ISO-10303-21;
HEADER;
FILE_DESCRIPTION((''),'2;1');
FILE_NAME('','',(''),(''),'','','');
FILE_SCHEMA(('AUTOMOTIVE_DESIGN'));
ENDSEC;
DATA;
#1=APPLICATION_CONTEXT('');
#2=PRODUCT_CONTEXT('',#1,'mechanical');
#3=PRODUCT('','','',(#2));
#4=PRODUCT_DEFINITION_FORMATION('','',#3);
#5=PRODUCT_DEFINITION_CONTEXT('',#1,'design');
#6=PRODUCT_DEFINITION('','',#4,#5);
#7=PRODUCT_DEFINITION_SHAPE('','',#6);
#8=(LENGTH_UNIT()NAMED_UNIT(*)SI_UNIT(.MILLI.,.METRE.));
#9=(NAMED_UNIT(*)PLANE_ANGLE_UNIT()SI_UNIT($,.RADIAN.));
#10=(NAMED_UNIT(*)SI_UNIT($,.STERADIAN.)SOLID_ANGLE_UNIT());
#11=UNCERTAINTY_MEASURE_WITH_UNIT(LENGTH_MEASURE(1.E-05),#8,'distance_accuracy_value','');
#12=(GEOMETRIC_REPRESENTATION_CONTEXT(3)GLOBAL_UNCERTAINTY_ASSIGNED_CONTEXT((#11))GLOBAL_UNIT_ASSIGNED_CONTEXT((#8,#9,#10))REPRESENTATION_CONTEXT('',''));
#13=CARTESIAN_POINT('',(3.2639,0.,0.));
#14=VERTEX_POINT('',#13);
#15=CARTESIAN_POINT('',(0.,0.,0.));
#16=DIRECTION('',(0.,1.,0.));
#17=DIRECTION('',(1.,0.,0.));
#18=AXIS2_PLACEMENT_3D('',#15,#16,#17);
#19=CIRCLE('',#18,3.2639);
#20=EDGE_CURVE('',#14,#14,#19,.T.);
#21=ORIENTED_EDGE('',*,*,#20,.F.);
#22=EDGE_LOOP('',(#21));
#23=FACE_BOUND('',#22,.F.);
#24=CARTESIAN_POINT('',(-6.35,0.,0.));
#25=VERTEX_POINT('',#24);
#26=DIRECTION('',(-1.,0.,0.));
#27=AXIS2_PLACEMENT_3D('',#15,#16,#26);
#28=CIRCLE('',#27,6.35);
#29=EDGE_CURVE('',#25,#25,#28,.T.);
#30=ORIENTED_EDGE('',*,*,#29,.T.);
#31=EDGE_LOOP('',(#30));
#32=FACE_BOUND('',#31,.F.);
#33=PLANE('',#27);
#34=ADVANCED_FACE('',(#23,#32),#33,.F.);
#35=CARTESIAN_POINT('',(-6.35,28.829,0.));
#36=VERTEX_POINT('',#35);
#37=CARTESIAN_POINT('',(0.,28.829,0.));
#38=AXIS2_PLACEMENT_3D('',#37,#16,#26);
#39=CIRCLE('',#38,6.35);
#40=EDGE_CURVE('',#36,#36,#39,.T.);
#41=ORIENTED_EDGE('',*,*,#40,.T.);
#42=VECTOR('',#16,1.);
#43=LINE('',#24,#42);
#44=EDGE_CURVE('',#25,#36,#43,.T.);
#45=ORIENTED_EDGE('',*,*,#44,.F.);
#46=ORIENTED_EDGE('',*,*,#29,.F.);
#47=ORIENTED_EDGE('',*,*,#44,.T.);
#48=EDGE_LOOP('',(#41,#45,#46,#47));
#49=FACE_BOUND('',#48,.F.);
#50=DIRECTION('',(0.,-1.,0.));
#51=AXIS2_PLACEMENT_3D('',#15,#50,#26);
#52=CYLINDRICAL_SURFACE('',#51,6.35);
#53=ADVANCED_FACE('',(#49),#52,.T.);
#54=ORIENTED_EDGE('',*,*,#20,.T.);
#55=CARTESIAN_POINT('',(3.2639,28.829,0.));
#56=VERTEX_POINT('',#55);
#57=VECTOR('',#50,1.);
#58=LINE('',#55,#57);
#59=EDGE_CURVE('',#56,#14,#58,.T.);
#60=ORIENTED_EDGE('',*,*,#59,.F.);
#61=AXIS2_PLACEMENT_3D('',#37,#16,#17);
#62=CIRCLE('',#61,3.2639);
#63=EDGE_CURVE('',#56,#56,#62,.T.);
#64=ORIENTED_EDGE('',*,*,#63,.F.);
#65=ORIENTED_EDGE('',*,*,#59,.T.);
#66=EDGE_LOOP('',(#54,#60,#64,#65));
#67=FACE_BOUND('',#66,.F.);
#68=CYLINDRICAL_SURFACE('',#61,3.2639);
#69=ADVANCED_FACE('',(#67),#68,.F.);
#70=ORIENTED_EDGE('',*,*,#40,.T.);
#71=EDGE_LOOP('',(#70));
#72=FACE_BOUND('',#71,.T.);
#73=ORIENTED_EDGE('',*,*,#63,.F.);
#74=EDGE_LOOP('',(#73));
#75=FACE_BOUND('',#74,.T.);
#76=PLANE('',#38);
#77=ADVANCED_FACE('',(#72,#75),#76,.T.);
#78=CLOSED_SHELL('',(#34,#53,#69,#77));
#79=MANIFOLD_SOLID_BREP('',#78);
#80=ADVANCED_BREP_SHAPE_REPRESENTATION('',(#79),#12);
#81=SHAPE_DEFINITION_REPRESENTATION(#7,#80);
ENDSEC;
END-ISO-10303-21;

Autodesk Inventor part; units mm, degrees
ref_plane "YZ Plane" through (0, 0, 0) normal (1, 0, 0) x (0, 1, 0)
ref_plane "XZ Plane" through (0, 0, 0) normal (0, 1, 0) x (-1, 0, 0)
ref_plane "XY Plane" through (0, 0, 0) normal (0, 0, 1) x (1, 0, 0)
sketch "Sketch1" plane through (0, 0, 0) normal (0, 1, 0) x (-1, 0, 0)
  circle A0 centre (0, 0) radius 6.35
  dimension "d0" = 12.7
extrude "Extrusion1" add sketch "Sketch1" along normal blind 28.829
sketch "Sketch2" plane through (0, 28.829, 0) normal (0, 1, 0) x (1, 0, 0)
  circle A0 centre (0, 0) radius 3.2639
  dimension "d3" = 6.5278
extrude "Extrusion2" cut sketch "Sketch2" against normal blind 28.829
properties part number "INDX_014_Outerstandoff" material "Aluminum 6061"
